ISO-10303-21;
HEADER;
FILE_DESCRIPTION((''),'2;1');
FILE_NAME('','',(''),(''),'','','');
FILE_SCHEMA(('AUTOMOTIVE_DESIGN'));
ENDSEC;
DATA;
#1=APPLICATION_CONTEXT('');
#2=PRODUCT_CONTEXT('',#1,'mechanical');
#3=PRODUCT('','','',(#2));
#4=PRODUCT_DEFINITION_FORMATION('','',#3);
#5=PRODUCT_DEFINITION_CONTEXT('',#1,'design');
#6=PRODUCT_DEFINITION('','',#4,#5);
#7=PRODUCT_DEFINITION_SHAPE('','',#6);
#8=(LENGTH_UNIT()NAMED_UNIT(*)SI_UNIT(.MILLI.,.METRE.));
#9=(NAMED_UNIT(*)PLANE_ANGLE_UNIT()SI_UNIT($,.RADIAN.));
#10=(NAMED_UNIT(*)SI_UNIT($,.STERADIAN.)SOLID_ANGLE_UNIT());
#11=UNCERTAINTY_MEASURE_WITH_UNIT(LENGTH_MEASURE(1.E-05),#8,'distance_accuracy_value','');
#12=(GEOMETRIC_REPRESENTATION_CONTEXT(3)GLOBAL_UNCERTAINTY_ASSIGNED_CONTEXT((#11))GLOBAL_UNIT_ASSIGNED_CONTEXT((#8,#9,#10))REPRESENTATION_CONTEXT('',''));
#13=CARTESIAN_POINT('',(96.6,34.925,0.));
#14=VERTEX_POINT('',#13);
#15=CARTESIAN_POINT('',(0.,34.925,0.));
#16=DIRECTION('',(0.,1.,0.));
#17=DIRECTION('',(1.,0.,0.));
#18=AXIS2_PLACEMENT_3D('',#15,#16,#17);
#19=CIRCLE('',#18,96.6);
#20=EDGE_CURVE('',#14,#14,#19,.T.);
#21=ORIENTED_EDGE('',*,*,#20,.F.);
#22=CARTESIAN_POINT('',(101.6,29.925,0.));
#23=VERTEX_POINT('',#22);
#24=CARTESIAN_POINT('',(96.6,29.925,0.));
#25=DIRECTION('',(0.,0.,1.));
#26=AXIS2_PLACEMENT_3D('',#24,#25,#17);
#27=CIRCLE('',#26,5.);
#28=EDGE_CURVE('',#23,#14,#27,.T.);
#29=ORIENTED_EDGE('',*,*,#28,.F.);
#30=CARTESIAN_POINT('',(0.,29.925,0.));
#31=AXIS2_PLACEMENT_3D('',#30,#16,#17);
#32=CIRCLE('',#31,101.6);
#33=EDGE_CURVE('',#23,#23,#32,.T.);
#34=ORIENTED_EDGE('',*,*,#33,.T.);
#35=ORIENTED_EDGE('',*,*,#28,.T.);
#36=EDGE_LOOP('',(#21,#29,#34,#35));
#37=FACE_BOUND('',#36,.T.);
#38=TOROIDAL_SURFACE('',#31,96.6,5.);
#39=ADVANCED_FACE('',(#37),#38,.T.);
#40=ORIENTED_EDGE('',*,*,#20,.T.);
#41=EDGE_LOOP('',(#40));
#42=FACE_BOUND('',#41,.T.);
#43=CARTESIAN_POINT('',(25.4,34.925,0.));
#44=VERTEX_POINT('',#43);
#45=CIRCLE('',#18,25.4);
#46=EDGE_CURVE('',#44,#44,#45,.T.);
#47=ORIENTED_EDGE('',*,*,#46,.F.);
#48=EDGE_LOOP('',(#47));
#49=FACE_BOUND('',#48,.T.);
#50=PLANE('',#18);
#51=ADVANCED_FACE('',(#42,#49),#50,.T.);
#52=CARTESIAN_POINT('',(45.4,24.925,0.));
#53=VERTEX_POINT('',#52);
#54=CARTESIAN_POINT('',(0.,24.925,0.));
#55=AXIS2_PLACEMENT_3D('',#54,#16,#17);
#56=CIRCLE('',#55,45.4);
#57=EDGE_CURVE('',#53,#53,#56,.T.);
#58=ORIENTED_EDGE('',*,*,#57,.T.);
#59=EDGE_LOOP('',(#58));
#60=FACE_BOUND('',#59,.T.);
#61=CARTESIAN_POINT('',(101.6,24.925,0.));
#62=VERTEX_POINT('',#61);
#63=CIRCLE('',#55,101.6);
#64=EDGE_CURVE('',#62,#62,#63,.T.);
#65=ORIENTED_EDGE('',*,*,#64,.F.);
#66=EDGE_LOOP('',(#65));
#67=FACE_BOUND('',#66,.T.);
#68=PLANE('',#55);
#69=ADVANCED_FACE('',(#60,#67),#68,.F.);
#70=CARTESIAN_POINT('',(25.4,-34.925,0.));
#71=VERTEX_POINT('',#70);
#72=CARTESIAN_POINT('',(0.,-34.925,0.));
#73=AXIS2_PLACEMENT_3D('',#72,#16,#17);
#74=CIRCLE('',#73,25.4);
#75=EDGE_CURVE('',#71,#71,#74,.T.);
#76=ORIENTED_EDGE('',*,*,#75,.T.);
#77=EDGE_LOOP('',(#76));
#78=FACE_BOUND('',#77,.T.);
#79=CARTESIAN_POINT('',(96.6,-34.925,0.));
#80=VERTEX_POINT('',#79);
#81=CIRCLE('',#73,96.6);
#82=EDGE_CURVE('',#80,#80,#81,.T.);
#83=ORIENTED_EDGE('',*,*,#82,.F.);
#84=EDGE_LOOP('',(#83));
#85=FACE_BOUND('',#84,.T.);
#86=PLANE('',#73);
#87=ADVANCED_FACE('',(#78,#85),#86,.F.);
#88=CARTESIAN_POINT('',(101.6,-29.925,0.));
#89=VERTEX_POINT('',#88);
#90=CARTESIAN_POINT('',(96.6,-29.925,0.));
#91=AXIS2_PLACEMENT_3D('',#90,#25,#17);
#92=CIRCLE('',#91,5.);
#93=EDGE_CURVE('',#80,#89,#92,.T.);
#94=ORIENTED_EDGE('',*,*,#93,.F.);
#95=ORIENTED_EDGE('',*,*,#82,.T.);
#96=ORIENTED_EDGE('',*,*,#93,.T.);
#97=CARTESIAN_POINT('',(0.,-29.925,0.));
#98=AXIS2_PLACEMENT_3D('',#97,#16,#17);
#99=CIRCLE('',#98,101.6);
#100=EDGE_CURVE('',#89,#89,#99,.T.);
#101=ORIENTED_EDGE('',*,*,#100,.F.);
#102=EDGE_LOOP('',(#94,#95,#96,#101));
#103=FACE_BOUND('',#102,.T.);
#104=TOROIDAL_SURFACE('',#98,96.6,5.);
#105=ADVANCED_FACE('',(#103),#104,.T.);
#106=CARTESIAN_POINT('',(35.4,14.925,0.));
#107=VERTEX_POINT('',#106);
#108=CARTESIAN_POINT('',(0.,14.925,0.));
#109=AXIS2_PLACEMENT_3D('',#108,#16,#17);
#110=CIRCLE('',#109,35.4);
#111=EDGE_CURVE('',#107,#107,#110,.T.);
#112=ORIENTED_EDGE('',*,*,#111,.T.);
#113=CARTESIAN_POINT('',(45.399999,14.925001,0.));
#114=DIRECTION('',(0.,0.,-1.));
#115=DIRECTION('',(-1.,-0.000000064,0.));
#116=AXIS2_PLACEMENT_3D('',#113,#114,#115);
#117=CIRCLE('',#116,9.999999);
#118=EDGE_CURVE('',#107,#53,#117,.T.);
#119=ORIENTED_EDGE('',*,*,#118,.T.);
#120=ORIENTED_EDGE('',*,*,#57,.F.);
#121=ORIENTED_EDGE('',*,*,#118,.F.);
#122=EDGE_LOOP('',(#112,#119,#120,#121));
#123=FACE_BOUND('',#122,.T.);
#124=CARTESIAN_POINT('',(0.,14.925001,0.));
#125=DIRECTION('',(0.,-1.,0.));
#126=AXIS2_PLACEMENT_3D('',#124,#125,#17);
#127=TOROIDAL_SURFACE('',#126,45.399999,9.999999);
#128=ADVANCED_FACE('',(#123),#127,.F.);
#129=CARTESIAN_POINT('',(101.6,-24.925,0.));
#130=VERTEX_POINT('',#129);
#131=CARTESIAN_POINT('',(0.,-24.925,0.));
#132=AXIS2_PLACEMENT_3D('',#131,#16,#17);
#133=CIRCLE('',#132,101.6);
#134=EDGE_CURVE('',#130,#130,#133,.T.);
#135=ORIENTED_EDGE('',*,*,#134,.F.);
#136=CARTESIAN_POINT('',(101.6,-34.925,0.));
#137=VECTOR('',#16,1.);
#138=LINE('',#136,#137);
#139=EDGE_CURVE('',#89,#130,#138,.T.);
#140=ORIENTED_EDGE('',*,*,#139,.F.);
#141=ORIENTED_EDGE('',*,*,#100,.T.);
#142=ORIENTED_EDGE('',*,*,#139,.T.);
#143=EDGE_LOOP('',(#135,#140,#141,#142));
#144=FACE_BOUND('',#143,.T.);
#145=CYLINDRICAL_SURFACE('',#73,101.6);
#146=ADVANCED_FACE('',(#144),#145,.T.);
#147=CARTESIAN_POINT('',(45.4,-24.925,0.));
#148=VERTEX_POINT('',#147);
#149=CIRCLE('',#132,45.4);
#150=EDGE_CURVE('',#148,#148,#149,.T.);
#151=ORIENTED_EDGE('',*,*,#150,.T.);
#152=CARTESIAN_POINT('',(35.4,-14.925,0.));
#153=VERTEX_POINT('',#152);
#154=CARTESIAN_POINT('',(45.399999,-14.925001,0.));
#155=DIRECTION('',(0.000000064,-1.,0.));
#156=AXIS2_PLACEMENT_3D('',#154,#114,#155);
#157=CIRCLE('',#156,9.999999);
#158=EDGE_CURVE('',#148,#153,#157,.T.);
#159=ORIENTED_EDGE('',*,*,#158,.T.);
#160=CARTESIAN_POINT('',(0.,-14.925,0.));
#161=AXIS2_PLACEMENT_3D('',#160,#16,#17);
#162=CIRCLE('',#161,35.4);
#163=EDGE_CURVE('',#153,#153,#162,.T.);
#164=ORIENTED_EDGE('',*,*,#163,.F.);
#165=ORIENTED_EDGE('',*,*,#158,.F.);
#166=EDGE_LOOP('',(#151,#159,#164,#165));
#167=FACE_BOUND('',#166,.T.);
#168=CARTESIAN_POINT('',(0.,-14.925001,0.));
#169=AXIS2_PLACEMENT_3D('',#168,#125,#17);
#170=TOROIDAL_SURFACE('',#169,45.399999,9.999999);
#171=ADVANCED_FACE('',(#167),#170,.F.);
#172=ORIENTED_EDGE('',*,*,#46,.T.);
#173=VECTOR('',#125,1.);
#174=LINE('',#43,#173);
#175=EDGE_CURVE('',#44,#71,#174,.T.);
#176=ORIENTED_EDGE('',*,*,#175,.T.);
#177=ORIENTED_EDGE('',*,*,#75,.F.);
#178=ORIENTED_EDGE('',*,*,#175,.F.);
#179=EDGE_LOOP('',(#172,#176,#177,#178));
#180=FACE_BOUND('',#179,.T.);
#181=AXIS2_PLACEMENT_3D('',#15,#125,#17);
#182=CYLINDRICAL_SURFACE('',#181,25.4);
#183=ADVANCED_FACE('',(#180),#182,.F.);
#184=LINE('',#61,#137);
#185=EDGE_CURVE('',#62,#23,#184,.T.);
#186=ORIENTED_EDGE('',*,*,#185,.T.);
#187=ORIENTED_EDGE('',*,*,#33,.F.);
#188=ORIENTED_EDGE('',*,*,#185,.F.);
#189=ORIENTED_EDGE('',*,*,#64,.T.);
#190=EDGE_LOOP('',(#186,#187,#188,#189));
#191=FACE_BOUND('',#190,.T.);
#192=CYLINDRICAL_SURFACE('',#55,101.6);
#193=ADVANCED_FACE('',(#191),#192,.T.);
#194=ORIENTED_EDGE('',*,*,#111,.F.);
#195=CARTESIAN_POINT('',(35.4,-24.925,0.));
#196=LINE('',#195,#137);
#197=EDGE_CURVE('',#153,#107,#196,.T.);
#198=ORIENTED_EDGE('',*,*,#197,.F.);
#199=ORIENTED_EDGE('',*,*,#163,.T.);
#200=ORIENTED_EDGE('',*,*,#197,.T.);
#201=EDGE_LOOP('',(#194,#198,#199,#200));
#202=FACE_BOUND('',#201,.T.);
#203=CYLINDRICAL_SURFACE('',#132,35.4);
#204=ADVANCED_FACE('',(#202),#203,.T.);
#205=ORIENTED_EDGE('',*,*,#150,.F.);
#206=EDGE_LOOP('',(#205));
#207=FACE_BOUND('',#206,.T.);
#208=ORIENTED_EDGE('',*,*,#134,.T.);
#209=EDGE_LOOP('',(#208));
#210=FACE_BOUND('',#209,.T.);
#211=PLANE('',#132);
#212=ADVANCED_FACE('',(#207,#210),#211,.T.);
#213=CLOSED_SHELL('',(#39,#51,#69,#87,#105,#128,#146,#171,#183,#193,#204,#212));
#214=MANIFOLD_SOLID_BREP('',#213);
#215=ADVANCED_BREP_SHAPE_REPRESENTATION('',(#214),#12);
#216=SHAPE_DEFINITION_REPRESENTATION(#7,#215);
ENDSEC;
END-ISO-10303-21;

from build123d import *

# Parameters (mm, degrees)
F2_R = 5


with BuildPart() as f1:
    # F0 (on Top) → F1 (revolve)
    with BuildSketch(Plane.XY):
        Polygon((25.4, -14.925), (25.4, -24.925), (35.4, -24.925), (35.4, -14.925), (35.4, 14.925), (35.4, 24.925), (25.4, 24.925), (25.4, 14.925), align=None)
        with BuildLine():
            Line((45.4, 24.925), (35.4, 24.925))
            Line((35.4, 24.925), (35.4, 14.925))
            ThreePointArc((35.4, 14.925), (38.328932, 21.996068), (45.4, 24.925))
        make_face()
        Polygon((101.6, 34.925), (25.4, 34.925), (25.4, 24.925), (35.4, 24.925), (45.4, 24.925), (101.6, 24.925), align=None)
        Polygon((25.4, -24.925), (25.4, -34.925), (101.6, -34.925), (101.6, -24.925), (45.4, -24.925), (35.4, -24.925), align=None)
        with BuildLine():
            Line((35.4, -14.925), (35.4, -24.925))
            Line((35.4, -24.925), (45.4, -24.925))
            ThreePointArc((45.4, -24.925), (38.328932, -21.996068), (35.4, -14.925))
        make_face()
    revolve(axis=Axis((0, 17.4625, 0), (0, 1, 0)))

    # F2
    f2_edges = [f1.edges().sort_by_distance(p)[0] for p in [
        (-101.6, 34.925, 0),
        (-101.6, -34.925, 0),
    ]]
    fillet(f2_edges, radius=F2_R)


solid = f1.part
